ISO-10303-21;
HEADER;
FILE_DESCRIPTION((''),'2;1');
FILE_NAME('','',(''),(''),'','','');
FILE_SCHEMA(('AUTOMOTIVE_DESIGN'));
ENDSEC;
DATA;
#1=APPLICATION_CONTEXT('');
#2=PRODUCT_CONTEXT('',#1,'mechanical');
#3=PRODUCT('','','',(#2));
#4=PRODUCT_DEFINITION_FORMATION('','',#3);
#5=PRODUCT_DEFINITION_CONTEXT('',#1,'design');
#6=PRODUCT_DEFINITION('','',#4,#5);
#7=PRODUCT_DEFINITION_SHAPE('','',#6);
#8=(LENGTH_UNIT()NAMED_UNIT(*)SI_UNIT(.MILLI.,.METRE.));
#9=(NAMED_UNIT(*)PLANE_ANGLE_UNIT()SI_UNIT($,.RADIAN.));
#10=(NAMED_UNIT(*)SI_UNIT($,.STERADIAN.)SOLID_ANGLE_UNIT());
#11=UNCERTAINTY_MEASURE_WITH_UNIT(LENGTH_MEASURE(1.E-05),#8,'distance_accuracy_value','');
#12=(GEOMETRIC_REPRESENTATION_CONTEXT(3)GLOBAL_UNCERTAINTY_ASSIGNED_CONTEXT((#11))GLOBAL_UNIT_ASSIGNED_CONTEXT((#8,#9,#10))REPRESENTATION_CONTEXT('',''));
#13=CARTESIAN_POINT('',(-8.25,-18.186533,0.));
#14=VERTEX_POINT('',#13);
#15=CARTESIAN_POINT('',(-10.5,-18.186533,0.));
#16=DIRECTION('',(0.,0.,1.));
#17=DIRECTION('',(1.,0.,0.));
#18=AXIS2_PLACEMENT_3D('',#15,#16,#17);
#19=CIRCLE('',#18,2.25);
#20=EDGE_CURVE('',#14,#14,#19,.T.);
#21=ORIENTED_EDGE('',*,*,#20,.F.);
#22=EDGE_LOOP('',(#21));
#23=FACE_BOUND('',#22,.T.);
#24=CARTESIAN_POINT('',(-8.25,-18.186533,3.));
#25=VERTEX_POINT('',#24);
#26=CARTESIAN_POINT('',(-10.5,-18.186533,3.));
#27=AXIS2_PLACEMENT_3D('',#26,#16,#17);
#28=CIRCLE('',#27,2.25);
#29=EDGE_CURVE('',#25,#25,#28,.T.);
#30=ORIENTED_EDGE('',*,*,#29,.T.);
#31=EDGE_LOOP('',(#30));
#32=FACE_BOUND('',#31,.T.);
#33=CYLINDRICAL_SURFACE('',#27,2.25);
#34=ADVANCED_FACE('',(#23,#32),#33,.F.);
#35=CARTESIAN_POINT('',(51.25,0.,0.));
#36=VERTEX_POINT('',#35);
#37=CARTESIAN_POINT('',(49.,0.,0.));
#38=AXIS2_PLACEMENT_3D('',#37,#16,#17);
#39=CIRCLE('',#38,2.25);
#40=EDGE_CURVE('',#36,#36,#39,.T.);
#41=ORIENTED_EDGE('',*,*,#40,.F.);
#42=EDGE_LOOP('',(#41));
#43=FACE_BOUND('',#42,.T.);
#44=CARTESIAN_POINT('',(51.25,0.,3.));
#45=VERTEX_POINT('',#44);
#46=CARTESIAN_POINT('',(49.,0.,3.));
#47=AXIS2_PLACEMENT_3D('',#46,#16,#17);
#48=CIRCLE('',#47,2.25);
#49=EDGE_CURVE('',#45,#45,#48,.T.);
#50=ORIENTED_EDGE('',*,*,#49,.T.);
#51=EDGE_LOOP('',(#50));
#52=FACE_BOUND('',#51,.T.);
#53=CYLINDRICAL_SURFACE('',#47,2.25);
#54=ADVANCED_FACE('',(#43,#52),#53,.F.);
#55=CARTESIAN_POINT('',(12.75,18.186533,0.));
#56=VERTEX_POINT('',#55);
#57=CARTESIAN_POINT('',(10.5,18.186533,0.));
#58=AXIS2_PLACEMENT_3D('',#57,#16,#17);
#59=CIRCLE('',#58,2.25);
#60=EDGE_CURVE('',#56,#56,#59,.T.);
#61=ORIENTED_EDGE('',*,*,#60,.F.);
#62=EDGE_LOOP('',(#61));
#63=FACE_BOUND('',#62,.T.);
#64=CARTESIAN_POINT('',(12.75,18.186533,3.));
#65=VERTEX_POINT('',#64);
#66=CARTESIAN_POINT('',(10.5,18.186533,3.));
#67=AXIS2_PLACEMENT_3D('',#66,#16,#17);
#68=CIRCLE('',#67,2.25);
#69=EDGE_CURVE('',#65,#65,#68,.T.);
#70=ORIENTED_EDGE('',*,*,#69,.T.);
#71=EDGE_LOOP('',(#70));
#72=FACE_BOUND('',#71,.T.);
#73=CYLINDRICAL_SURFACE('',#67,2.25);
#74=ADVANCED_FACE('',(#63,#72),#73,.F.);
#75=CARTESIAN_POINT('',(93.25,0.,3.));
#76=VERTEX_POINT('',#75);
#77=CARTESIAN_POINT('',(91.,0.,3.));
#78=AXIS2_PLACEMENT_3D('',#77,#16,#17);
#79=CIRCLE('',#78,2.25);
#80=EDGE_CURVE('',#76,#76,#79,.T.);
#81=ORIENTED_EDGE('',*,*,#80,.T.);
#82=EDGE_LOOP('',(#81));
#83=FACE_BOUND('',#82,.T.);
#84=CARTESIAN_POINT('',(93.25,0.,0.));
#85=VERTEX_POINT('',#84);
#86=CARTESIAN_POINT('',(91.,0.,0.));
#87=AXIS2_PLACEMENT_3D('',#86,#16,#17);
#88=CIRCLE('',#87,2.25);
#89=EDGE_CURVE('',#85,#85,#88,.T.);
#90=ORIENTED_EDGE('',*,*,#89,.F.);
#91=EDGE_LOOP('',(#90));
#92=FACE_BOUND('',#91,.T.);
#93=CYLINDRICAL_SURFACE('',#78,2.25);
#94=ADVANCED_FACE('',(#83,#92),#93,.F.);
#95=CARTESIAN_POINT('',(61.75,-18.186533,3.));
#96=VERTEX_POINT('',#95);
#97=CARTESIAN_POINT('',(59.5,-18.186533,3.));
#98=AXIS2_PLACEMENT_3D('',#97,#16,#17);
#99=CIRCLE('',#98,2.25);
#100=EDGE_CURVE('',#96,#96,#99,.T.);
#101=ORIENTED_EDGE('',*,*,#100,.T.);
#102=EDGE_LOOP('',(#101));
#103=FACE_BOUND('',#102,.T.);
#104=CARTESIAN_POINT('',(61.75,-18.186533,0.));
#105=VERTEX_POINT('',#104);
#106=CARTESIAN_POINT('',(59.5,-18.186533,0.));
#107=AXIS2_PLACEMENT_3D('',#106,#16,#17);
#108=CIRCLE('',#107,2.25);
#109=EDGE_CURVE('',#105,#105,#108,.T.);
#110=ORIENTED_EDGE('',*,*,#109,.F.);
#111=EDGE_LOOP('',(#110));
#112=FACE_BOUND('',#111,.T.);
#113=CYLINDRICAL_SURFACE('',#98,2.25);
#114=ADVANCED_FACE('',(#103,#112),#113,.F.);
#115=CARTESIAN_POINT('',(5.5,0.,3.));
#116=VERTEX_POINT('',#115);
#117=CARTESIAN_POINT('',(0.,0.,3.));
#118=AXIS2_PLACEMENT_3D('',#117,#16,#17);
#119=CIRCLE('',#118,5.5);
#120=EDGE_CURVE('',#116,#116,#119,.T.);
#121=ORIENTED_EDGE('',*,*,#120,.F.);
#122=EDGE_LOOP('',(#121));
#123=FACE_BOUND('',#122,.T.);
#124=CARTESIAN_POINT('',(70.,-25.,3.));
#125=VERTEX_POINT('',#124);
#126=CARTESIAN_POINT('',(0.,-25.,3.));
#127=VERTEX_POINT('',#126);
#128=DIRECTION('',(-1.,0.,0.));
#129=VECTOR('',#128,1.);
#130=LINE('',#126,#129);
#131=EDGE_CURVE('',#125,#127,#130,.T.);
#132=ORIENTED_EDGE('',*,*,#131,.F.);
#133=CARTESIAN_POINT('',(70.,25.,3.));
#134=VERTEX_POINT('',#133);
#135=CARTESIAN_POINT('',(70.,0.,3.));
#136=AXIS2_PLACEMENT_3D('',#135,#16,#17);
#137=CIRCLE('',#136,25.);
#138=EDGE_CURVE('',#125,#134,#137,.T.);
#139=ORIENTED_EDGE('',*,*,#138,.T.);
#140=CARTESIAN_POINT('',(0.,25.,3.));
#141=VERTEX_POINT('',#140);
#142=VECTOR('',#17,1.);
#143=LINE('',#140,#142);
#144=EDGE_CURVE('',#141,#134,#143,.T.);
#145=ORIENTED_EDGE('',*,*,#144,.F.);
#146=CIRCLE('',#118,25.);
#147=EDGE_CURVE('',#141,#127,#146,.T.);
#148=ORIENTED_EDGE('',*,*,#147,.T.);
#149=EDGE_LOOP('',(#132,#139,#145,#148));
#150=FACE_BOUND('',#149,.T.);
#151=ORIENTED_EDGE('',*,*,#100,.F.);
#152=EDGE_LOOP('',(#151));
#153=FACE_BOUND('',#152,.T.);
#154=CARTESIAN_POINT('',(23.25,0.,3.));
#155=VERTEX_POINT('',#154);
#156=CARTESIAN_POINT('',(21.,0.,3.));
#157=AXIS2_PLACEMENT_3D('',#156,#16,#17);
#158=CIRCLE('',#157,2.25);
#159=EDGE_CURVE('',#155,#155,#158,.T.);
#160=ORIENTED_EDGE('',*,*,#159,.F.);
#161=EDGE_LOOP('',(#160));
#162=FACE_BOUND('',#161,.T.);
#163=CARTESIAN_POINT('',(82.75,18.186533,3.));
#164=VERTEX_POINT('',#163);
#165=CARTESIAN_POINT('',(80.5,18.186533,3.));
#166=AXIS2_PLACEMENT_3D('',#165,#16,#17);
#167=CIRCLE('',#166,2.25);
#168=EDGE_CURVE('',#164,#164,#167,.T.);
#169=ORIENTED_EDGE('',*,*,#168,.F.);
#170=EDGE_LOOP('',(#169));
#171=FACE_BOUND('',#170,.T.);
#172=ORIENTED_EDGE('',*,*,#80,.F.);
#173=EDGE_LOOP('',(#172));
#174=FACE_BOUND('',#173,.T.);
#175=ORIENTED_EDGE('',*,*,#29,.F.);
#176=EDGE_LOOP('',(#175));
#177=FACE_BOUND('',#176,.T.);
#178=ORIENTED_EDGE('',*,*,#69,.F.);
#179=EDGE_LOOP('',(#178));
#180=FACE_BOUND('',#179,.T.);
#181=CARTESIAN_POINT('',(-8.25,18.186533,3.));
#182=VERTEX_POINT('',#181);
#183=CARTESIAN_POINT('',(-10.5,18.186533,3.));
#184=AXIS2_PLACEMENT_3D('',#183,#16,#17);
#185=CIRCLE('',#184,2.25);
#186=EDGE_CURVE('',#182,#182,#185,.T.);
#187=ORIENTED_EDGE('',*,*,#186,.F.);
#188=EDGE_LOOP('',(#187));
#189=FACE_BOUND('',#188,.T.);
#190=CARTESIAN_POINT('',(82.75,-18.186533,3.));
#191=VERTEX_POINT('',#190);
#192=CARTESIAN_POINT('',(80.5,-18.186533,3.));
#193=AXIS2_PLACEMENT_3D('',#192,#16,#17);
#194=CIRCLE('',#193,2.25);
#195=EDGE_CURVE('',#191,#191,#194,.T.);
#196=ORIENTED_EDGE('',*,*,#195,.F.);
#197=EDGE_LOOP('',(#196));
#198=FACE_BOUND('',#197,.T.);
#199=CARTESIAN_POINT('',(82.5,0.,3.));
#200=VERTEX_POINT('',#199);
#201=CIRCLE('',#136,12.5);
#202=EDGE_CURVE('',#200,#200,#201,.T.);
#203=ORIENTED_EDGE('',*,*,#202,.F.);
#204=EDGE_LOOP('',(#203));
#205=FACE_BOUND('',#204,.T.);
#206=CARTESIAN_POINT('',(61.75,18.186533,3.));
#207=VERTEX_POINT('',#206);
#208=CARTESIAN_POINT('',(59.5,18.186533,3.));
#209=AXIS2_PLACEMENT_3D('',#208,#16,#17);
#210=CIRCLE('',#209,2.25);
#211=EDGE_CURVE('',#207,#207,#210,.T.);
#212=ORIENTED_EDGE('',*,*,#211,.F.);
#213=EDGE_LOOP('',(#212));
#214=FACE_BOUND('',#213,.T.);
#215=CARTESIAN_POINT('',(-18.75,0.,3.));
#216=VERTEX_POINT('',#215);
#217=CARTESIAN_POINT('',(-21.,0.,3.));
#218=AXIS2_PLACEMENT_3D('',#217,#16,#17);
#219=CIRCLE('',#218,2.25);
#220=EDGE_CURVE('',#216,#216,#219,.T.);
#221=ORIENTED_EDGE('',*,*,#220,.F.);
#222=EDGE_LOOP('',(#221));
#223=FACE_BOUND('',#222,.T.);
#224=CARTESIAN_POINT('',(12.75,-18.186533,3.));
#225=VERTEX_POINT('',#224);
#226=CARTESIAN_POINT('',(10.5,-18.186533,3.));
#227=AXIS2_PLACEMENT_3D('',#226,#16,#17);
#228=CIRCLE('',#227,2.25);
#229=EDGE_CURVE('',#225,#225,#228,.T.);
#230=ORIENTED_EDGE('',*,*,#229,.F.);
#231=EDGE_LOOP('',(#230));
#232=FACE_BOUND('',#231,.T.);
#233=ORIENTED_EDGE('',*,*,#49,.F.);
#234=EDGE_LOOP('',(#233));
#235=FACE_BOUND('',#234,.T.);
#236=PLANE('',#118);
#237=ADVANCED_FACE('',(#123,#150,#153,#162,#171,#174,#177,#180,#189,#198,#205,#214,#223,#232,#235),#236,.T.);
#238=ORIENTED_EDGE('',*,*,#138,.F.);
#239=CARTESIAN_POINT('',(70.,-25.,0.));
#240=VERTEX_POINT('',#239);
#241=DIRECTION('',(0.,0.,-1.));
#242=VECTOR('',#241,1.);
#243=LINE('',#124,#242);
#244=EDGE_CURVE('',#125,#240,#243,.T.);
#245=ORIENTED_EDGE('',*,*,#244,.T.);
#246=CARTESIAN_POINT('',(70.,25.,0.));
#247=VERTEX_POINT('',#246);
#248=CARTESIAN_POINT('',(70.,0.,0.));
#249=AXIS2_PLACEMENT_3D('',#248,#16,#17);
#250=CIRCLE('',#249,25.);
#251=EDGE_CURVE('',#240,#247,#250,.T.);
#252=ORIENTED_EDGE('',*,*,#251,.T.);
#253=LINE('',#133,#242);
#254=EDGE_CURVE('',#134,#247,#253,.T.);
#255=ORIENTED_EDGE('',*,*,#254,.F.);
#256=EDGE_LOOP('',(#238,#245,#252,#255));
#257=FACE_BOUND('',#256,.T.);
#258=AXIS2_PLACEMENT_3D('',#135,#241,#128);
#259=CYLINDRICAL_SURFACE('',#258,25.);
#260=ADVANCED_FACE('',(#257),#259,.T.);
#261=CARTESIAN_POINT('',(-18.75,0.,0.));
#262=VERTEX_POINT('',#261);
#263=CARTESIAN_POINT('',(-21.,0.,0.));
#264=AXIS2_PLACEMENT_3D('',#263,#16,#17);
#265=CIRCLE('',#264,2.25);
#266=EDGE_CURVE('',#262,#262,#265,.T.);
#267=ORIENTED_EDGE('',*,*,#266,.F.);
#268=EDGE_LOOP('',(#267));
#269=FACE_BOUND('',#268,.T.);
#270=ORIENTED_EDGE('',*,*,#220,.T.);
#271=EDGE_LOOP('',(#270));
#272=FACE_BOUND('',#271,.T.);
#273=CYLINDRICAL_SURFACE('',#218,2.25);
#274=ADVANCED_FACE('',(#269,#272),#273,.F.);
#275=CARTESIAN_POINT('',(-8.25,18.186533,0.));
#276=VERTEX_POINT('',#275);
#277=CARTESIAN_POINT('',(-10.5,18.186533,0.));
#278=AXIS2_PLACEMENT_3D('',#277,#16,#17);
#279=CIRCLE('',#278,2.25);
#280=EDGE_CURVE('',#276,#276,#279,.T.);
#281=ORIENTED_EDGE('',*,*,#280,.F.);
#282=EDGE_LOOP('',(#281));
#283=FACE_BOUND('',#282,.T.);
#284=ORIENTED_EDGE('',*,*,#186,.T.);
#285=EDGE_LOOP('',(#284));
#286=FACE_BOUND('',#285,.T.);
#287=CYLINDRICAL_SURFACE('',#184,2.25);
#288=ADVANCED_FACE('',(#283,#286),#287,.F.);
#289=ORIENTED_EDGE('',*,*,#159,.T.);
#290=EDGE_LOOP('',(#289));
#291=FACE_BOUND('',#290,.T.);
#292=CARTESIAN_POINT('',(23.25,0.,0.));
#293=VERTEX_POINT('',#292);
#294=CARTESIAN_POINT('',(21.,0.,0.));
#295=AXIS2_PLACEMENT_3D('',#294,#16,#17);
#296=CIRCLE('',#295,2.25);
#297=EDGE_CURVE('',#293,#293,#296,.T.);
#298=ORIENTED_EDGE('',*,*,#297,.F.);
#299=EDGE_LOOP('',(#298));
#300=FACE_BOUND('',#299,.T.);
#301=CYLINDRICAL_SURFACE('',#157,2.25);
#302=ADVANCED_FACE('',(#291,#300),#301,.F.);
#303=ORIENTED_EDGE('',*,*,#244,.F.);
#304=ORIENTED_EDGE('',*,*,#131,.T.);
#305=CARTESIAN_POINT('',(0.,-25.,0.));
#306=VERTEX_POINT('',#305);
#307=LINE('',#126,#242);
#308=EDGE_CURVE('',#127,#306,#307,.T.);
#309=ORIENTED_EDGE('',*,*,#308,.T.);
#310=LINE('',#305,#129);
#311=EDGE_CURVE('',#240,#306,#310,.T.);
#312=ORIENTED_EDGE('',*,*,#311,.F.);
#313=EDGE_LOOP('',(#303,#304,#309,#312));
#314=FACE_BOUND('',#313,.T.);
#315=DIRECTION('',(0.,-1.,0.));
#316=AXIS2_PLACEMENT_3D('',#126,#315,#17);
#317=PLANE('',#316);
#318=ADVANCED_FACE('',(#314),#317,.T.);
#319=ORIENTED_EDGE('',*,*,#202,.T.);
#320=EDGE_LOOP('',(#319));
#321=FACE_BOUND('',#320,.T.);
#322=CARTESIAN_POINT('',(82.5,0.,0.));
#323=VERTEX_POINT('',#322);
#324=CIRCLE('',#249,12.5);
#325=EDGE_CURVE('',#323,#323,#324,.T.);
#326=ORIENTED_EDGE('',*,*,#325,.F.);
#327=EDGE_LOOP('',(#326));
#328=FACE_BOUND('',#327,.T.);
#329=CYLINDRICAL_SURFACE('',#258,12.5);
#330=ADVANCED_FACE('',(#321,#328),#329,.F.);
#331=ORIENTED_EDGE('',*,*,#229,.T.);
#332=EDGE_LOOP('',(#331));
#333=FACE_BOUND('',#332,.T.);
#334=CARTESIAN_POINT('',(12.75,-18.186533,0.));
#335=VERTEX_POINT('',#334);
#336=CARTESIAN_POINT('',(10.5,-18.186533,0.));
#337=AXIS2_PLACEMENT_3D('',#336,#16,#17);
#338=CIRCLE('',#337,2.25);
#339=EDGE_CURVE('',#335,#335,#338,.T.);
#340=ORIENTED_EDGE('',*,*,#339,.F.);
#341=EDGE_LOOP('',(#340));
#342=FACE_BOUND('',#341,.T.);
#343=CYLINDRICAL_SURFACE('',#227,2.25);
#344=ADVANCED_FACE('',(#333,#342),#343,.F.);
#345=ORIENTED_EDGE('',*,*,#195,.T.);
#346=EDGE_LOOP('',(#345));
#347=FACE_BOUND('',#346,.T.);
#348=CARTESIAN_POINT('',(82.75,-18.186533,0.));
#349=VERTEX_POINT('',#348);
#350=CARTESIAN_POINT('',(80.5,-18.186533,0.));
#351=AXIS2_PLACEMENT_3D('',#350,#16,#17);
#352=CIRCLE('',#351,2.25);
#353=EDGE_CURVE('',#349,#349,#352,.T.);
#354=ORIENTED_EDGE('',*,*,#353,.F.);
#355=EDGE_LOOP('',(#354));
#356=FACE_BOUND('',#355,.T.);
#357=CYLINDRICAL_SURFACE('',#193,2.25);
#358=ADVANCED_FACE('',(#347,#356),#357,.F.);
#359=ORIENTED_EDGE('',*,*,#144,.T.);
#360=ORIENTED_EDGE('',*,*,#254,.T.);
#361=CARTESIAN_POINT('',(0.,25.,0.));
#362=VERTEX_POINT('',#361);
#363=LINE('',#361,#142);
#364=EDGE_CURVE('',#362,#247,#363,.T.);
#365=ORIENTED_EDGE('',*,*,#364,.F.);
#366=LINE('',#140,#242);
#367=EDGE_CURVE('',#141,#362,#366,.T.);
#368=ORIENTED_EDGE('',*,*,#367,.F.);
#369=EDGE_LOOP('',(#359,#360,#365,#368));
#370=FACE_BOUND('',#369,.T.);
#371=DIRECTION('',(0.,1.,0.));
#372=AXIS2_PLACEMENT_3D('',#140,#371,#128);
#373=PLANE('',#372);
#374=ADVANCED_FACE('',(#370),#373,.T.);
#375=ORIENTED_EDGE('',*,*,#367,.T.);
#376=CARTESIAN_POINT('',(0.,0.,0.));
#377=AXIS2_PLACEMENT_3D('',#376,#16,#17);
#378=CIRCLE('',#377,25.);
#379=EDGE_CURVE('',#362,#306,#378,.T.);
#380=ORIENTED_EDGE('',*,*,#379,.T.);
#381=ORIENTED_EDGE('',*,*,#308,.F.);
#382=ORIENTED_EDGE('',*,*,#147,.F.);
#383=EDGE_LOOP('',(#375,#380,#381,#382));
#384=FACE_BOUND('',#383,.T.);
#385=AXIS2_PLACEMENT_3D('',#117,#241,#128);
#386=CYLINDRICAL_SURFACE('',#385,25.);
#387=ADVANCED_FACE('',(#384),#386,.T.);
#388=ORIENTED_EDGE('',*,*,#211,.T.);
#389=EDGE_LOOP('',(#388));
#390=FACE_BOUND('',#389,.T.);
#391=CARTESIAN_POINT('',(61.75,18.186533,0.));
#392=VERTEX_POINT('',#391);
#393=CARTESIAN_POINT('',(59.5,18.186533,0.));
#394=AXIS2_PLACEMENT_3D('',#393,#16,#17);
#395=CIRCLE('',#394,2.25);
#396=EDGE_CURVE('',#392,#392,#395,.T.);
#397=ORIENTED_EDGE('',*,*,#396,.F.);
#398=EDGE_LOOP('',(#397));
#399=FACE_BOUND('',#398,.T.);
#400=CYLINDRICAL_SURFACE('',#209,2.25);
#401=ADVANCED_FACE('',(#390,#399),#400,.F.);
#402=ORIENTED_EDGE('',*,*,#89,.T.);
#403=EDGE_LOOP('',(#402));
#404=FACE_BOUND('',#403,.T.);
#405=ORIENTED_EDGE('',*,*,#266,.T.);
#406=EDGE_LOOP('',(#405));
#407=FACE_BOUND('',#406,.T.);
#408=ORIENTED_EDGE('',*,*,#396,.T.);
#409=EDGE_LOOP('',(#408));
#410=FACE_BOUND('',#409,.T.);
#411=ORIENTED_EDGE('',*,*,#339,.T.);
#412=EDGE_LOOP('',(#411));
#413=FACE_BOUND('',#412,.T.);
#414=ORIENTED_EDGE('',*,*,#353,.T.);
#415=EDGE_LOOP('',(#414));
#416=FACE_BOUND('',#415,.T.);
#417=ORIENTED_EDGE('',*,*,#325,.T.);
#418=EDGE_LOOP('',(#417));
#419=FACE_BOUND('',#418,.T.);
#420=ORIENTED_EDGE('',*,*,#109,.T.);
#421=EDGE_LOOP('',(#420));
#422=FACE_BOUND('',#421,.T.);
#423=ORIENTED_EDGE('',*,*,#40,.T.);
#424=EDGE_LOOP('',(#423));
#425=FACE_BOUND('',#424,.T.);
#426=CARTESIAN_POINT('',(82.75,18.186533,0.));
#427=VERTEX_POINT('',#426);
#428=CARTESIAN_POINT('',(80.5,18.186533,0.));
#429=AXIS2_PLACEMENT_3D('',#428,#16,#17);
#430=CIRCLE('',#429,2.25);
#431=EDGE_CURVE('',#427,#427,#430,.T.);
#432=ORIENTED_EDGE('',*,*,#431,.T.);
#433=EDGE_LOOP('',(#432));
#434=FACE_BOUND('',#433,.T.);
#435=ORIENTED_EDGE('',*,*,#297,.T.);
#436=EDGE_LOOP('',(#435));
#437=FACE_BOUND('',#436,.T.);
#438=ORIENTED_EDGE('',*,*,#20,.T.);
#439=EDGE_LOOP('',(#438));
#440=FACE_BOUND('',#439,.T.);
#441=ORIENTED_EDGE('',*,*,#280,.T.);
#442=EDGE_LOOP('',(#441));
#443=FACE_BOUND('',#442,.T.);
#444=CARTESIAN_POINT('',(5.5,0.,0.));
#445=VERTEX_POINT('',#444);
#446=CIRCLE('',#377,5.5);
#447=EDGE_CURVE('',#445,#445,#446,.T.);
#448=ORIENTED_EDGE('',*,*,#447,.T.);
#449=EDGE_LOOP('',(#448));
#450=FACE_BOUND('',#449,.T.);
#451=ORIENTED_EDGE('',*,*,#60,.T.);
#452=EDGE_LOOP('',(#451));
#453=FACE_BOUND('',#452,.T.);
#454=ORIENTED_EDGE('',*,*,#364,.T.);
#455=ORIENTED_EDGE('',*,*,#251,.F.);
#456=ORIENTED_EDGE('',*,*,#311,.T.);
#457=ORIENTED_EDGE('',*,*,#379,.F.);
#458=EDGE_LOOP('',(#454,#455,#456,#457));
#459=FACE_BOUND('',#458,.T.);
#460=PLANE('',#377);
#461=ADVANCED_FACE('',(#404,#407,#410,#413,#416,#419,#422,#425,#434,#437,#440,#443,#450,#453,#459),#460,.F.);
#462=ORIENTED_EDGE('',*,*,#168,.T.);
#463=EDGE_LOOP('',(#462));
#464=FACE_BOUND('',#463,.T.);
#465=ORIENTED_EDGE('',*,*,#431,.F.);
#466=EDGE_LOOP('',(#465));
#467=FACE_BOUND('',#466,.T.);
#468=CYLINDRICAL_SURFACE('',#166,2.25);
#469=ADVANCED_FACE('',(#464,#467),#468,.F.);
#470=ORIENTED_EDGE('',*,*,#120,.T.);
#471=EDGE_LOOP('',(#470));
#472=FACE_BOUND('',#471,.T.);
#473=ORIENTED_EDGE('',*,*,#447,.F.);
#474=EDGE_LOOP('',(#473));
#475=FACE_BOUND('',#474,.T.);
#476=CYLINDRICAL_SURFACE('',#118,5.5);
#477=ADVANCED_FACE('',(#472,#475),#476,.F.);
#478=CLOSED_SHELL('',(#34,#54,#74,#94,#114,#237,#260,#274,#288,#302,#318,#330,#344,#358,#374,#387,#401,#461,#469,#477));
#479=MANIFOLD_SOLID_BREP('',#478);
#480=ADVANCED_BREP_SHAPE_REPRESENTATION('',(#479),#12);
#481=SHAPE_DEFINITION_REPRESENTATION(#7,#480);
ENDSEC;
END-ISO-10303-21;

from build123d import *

# Parameters (mm, degrees)
CROQUIS1_R                    = 12.5
SALIENTE_EXTRUIR1_DEPTH       = 3
TALADRO_DE_MARGEN_PARA_M42_D  = 4.5
TALADRO_DE_MARGEN_PARA_M101_D = 11


with BuildPart() as part:
    # Croquis1 → Saliente-Extruir1 (new body)
    with BuildSketch(Plane.XY):
        with BuildLine():
            Line((70, 25), (0, 25))
            ThreePointArc((0, 25), (-25, 0), (0, -25))
            Line((0, -25), (70, -25))
            ThreePointArc((70, -25), (95, 0), (70, 25))
        make_face()
        with Locations((70, 0)):
            Circle(CROQUIS1_R, mode=Mode.SUBTRACT)
    extrude(amount=SALIENTE_EXTRUIR1_DEPTH)

    # Taladro de margen para M42 (through all)
    with Locations(Plane.XY.offset(3)):
        with Locations((-21, 0), (91, 0), (-10.5, 18.186533479), (10.5, 18.186533479), (21, 0), (10.5, -18.186533479), (-10.5, -18.186533479), (80.5, -18.186533479), (59.5, -18.186533479), (49, 0), (59.5, 18.186533479), (80.5, 18.186533479)):
            Hole(TALADRO_DE_MARGEN_PARA_M42_D / 2)

    # Taladro de margen para M101 (through all)
    with Locations(Plane.XY.offset(3)):
        with Locations((0, 0)):
            Hole(TALADRO_DE_MARGEN_PARA_M101_D / 2)


solid = part.part
